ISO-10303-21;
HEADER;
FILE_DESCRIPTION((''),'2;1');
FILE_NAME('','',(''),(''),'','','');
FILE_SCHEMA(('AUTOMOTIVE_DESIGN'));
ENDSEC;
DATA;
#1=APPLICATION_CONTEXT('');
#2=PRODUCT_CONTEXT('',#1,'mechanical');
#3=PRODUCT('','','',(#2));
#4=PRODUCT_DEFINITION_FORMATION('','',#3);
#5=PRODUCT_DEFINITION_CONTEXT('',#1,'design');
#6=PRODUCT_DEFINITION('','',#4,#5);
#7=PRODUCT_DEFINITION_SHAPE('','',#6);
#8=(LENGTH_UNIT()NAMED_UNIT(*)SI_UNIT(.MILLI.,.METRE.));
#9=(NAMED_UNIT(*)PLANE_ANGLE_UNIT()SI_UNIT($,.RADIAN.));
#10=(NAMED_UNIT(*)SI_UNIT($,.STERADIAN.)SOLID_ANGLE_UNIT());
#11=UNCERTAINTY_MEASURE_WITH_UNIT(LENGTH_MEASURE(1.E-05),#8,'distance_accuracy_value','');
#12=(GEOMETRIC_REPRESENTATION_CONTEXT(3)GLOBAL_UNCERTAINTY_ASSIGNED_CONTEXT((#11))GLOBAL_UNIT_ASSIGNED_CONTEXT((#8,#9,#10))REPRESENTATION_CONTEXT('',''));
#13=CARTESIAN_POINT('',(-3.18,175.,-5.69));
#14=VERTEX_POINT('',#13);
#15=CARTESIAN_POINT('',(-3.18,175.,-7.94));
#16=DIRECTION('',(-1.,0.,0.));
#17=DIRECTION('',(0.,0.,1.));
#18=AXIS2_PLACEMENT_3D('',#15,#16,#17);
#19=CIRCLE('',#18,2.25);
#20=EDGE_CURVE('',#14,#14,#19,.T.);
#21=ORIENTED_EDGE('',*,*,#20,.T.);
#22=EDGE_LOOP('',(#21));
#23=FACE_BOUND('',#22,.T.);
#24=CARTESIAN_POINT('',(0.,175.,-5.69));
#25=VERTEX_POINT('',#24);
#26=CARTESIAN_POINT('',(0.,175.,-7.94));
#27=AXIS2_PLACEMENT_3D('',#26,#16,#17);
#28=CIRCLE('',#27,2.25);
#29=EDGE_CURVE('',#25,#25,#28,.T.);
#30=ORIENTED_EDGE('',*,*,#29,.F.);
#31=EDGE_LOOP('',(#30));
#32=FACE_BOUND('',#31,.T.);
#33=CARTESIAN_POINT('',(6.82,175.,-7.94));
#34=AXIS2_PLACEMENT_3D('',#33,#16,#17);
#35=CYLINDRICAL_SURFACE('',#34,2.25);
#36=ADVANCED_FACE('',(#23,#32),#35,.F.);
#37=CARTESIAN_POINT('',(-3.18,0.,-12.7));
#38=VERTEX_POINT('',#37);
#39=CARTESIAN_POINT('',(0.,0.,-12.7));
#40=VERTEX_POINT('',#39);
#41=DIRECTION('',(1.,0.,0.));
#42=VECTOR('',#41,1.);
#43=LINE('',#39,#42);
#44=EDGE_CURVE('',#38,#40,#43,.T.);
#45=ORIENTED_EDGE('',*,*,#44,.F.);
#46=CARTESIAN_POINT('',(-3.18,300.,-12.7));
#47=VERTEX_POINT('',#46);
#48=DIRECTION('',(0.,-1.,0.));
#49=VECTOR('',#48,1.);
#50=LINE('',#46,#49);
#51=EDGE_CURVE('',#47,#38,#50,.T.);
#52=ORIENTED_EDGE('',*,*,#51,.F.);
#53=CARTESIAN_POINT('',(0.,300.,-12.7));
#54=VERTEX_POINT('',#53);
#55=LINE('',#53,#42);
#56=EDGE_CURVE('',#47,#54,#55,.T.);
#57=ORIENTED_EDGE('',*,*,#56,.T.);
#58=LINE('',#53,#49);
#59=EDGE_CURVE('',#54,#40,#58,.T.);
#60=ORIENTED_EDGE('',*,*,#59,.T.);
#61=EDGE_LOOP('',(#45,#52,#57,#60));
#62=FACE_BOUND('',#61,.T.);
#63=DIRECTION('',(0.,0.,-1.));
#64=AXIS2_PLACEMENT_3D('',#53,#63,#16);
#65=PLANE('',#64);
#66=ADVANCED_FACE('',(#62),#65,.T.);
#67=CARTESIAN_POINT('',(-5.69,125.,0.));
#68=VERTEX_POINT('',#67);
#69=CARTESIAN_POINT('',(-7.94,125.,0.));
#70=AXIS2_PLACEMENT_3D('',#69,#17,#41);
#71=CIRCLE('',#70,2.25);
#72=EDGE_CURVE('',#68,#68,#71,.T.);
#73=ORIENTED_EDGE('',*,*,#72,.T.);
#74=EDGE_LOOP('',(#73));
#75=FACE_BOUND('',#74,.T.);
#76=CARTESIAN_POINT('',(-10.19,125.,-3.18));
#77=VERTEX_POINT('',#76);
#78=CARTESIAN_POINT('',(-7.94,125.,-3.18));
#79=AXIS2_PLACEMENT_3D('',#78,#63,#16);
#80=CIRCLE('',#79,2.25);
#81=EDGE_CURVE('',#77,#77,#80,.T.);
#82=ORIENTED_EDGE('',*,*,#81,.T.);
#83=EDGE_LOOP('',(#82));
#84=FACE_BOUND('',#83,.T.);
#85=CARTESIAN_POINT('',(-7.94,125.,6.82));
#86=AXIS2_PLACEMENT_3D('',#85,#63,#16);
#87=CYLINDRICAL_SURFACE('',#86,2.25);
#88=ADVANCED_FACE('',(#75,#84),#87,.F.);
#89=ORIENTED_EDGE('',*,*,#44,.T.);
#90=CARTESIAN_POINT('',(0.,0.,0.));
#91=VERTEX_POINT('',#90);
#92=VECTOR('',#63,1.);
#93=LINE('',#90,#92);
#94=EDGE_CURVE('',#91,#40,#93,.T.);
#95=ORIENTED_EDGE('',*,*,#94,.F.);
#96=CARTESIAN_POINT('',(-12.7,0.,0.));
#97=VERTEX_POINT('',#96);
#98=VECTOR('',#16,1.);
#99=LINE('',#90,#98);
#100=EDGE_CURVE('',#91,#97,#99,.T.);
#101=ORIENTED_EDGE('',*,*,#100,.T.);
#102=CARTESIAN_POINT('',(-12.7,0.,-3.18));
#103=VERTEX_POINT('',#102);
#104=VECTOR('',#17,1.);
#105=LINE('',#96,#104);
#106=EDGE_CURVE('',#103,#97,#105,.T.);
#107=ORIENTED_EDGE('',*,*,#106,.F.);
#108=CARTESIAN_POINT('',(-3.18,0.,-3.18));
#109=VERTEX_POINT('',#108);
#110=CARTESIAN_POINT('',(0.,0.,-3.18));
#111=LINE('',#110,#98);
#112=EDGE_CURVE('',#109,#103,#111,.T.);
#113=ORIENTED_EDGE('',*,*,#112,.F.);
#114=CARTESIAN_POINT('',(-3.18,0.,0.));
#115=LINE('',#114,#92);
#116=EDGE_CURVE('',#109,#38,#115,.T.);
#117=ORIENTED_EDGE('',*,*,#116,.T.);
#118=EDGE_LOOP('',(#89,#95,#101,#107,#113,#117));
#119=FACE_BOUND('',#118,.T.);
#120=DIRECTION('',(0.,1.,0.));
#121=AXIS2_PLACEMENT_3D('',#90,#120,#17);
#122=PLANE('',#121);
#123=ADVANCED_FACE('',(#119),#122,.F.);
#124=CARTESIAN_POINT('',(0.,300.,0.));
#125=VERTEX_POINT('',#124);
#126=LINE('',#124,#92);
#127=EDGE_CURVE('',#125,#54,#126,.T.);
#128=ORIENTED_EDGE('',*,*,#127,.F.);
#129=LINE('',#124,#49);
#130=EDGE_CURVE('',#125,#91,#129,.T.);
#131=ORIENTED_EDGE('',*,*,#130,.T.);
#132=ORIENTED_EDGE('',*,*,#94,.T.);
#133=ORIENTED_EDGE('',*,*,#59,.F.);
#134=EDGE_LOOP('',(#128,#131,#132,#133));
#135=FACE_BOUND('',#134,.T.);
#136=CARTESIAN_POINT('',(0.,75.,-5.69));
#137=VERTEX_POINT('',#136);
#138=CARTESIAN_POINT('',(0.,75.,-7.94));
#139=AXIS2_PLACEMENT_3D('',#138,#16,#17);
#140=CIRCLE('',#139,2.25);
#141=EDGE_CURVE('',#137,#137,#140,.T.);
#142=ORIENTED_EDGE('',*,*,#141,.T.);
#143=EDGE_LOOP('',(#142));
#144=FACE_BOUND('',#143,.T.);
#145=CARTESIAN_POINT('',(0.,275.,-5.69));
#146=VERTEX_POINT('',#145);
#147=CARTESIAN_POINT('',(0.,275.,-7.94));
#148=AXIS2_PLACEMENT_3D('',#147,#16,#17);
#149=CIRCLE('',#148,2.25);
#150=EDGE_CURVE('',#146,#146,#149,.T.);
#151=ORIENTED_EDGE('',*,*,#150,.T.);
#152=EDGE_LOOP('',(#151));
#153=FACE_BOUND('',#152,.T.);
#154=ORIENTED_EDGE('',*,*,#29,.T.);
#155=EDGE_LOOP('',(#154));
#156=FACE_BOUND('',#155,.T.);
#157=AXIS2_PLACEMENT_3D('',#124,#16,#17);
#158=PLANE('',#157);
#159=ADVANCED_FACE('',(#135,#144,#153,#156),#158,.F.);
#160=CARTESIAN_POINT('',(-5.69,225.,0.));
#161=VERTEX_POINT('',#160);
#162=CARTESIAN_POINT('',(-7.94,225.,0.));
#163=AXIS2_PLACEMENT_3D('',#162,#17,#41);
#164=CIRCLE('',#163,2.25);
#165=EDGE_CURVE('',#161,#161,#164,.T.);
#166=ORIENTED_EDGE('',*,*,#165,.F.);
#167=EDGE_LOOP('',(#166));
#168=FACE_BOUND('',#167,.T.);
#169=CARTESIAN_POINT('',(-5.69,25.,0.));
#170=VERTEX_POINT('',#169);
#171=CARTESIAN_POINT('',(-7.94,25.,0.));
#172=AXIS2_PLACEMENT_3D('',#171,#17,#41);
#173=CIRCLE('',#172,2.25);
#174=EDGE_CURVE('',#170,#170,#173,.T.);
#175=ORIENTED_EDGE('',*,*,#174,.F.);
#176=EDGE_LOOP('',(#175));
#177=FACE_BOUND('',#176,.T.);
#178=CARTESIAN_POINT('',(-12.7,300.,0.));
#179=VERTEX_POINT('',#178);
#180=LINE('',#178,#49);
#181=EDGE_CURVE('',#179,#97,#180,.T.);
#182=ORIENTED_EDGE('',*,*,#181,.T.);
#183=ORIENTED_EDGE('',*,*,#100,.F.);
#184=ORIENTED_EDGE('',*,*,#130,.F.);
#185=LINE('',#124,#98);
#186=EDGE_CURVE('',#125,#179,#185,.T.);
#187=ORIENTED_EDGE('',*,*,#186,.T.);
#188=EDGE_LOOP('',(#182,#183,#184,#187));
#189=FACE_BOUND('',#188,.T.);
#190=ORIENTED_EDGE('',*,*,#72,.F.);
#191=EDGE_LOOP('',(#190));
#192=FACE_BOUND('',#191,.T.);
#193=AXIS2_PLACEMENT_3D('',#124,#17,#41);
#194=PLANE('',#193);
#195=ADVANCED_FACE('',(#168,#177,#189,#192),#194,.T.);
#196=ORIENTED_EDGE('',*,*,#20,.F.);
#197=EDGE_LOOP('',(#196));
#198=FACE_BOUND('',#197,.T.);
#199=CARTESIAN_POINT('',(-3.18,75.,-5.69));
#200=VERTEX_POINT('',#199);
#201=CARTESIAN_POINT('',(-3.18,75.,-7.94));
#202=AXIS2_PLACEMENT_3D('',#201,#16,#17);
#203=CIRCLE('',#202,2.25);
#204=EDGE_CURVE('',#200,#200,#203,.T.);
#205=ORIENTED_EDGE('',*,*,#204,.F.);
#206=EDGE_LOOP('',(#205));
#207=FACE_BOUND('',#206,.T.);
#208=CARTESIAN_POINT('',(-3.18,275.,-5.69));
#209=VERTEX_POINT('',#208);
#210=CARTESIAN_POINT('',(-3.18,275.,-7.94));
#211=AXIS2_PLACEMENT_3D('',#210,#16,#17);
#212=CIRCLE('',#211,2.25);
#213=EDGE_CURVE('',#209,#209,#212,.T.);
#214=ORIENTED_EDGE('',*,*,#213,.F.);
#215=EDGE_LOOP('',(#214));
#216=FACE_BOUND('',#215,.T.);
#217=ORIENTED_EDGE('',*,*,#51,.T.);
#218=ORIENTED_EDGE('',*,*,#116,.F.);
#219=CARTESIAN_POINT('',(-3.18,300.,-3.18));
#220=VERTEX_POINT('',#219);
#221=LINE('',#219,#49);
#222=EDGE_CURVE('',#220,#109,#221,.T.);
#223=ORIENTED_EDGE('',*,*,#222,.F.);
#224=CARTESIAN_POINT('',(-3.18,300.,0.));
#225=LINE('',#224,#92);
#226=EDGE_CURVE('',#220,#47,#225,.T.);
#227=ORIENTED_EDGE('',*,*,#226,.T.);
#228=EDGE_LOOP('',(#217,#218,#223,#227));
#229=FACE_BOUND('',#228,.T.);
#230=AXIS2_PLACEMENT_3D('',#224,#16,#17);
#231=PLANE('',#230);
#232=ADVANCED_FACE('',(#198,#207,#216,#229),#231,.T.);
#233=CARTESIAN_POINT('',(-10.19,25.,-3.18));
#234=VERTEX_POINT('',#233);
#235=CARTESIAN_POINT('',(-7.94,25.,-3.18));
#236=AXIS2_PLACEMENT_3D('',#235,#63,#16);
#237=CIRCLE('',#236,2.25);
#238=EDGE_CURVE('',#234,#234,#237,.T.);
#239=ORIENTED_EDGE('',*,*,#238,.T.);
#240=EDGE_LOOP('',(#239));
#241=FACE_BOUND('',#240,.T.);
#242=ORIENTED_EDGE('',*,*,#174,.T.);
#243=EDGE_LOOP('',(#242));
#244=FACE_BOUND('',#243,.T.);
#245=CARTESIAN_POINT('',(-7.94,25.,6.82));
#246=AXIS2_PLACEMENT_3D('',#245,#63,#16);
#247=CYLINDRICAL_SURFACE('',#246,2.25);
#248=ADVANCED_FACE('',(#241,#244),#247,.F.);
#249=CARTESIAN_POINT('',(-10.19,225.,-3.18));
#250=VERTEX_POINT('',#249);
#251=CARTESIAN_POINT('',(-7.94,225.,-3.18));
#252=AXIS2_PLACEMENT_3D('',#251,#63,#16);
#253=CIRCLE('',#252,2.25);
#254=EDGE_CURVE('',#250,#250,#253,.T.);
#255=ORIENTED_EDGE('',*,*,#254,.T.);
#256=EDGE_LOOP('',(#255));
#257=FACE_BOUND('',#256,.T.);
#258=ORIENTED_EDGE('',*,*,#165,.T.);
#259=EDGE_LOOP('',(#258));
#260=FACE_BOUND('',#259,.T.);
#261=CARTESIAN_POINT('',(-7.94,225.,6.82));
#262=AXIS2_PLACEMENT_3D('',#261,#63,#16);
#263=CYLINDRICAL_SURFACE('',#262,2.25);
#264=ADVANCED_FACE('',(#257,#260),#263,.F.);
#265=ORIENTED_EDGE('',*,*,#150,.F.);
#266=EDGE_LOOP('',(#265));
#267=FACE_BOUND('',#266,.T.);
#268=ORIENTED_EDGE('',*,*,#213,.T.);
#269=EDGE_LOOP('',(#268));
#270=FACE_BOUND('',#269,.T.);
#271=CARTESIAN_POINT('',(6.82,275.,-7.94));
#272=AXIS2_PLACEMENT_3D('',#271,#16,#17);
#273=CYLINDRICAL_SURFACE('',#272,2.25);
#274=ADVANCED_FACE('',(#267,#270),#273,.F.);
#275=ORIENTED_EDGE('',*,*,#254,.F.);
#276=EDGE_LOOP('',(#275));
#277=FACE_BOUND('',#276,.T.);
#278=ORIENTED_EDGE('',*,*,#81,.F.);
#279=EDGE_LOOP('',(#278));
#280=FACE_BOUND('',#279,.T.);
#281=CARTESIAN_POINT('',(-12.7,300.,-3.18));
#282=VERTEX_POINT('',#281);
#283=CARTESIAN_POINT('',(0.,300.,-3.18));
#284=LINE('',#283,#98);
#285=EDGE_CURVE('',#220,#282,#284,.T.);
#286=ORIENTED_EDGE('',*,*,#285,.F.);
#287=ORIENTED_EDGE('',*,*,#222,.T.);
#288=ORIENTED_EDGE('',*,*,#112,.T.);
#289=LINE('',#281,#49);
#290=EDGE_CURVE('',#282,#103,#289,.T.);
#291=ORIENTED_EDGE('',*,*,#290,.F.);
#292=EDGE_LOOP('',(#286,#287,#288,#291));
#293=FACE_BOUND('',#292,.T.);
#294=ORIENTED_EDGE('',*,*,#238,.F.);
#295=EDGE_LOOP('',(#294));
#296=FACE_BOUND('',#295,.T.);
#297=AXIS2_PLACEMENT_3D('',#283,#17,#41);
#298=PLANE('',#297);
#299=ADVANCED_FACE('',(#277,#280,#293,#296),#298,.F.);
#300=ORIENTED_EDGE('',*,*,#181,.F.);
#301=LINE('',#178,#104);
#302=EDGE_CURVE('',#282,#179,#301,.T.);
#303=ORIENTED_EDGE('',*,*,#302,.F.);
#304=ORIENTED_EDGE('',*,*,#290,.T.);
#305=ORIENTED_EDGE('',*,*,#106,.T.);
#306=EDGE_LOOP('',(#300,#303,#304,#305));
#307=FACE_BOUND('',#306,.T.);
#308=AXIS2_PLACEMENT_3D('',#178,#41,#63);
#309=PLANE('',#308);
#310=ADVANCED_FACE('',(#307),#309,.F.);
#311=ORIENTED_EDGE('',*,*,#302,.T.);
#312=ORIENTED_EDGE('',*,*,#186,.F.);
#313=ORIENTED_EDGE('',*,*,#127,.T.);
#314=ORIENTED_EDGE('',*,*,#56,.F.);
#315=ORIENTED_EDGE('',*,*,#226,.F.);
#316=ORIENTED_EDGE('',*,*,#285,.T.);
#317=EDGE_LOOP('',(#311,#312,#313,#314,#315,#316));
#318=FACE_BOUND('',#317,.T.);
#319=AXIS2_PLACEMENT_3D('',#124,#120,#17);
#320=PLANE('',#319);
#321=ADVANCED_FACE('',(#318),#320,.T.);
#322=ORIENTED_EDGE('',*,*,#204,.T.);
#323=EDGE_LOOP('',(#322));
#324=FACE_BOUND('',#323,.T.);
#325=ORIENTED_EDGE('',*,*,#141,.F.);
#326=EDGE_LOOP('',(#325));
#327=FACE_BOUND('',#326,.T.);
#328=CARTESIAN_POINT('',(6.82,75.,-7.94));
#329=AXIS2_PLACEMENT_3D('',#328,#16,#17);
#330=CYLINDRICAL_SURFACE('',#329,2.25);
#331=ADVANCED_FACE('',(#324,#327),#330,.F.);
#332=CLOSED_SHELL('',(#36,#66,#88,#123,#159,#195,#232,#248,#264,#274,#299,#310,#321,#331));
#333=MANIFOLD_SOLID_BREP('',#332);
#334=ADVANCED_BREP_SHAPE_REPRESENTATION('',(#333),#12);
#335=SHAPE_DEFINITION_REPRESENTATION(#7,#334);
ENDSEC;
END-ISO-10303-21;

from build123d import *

# Parameters (mm, degrees)
BOSS_EXTRUDE1_DEPTH = 300
SKETCH2_R           = 2.25
CUT_EXTRUDE1_DEPTH  = 10
SKETCH3_R           = 2.25
CUT_EXTRUDE2_DEPTH  = 10


with BuildPart() as part:
    # Sketch1 → Boss-Extrude1 (new body)
    with BuildSketch(Plane(origin=(0, 0, 0), x_dir=(1, 0, 0), z_dir=(0, 1, 0))):
        Polygon((-12.7, 0), (0, 0), (0, 12.7), (-3.18, 12.7), (-3.18, 3.18), (-12.7, 3.18), align=None)
    extrude(amount=BOSS_EXTRUDE1_DEPTH)

    # Sketch2 → Cut-Extrude1 (cut)
    with BuildSketch(Plane.ZY.offset(3.18)):
        with Locations((-7.94, 275)):
            Circle(SKETCH2_R)
        with Locations((-7.94, 175)):
            Circle(SKETCH2_R)
        with Locations((-7.94, 75)):
            Circle(SKETCH2_R)
    extrude(amount=-CUT_EXTRUDE1_DEPTH, mode=Mode.SUBTRACT)

    # Sketch3 → Cut-Extrude2 (cut)
    with BuildSketch(Plane(origin=(0, 0, -3.18), x_dir=(-1, 0, 0), z_dir=(0, 0, -1))):
        with Locations((7.94, 225)):
            Circle(SKETCH3_R)
        with Locations((7.94, 125)):
            Circle(SKETCH3_R)
        with Locations((7.94, 25)):
            Circle(SKETCH3_R)
    extrude(amount=-CUT_EXTRUDE2_DEPTH, mode=Mode.SUBTRACT)


solid = part.part
